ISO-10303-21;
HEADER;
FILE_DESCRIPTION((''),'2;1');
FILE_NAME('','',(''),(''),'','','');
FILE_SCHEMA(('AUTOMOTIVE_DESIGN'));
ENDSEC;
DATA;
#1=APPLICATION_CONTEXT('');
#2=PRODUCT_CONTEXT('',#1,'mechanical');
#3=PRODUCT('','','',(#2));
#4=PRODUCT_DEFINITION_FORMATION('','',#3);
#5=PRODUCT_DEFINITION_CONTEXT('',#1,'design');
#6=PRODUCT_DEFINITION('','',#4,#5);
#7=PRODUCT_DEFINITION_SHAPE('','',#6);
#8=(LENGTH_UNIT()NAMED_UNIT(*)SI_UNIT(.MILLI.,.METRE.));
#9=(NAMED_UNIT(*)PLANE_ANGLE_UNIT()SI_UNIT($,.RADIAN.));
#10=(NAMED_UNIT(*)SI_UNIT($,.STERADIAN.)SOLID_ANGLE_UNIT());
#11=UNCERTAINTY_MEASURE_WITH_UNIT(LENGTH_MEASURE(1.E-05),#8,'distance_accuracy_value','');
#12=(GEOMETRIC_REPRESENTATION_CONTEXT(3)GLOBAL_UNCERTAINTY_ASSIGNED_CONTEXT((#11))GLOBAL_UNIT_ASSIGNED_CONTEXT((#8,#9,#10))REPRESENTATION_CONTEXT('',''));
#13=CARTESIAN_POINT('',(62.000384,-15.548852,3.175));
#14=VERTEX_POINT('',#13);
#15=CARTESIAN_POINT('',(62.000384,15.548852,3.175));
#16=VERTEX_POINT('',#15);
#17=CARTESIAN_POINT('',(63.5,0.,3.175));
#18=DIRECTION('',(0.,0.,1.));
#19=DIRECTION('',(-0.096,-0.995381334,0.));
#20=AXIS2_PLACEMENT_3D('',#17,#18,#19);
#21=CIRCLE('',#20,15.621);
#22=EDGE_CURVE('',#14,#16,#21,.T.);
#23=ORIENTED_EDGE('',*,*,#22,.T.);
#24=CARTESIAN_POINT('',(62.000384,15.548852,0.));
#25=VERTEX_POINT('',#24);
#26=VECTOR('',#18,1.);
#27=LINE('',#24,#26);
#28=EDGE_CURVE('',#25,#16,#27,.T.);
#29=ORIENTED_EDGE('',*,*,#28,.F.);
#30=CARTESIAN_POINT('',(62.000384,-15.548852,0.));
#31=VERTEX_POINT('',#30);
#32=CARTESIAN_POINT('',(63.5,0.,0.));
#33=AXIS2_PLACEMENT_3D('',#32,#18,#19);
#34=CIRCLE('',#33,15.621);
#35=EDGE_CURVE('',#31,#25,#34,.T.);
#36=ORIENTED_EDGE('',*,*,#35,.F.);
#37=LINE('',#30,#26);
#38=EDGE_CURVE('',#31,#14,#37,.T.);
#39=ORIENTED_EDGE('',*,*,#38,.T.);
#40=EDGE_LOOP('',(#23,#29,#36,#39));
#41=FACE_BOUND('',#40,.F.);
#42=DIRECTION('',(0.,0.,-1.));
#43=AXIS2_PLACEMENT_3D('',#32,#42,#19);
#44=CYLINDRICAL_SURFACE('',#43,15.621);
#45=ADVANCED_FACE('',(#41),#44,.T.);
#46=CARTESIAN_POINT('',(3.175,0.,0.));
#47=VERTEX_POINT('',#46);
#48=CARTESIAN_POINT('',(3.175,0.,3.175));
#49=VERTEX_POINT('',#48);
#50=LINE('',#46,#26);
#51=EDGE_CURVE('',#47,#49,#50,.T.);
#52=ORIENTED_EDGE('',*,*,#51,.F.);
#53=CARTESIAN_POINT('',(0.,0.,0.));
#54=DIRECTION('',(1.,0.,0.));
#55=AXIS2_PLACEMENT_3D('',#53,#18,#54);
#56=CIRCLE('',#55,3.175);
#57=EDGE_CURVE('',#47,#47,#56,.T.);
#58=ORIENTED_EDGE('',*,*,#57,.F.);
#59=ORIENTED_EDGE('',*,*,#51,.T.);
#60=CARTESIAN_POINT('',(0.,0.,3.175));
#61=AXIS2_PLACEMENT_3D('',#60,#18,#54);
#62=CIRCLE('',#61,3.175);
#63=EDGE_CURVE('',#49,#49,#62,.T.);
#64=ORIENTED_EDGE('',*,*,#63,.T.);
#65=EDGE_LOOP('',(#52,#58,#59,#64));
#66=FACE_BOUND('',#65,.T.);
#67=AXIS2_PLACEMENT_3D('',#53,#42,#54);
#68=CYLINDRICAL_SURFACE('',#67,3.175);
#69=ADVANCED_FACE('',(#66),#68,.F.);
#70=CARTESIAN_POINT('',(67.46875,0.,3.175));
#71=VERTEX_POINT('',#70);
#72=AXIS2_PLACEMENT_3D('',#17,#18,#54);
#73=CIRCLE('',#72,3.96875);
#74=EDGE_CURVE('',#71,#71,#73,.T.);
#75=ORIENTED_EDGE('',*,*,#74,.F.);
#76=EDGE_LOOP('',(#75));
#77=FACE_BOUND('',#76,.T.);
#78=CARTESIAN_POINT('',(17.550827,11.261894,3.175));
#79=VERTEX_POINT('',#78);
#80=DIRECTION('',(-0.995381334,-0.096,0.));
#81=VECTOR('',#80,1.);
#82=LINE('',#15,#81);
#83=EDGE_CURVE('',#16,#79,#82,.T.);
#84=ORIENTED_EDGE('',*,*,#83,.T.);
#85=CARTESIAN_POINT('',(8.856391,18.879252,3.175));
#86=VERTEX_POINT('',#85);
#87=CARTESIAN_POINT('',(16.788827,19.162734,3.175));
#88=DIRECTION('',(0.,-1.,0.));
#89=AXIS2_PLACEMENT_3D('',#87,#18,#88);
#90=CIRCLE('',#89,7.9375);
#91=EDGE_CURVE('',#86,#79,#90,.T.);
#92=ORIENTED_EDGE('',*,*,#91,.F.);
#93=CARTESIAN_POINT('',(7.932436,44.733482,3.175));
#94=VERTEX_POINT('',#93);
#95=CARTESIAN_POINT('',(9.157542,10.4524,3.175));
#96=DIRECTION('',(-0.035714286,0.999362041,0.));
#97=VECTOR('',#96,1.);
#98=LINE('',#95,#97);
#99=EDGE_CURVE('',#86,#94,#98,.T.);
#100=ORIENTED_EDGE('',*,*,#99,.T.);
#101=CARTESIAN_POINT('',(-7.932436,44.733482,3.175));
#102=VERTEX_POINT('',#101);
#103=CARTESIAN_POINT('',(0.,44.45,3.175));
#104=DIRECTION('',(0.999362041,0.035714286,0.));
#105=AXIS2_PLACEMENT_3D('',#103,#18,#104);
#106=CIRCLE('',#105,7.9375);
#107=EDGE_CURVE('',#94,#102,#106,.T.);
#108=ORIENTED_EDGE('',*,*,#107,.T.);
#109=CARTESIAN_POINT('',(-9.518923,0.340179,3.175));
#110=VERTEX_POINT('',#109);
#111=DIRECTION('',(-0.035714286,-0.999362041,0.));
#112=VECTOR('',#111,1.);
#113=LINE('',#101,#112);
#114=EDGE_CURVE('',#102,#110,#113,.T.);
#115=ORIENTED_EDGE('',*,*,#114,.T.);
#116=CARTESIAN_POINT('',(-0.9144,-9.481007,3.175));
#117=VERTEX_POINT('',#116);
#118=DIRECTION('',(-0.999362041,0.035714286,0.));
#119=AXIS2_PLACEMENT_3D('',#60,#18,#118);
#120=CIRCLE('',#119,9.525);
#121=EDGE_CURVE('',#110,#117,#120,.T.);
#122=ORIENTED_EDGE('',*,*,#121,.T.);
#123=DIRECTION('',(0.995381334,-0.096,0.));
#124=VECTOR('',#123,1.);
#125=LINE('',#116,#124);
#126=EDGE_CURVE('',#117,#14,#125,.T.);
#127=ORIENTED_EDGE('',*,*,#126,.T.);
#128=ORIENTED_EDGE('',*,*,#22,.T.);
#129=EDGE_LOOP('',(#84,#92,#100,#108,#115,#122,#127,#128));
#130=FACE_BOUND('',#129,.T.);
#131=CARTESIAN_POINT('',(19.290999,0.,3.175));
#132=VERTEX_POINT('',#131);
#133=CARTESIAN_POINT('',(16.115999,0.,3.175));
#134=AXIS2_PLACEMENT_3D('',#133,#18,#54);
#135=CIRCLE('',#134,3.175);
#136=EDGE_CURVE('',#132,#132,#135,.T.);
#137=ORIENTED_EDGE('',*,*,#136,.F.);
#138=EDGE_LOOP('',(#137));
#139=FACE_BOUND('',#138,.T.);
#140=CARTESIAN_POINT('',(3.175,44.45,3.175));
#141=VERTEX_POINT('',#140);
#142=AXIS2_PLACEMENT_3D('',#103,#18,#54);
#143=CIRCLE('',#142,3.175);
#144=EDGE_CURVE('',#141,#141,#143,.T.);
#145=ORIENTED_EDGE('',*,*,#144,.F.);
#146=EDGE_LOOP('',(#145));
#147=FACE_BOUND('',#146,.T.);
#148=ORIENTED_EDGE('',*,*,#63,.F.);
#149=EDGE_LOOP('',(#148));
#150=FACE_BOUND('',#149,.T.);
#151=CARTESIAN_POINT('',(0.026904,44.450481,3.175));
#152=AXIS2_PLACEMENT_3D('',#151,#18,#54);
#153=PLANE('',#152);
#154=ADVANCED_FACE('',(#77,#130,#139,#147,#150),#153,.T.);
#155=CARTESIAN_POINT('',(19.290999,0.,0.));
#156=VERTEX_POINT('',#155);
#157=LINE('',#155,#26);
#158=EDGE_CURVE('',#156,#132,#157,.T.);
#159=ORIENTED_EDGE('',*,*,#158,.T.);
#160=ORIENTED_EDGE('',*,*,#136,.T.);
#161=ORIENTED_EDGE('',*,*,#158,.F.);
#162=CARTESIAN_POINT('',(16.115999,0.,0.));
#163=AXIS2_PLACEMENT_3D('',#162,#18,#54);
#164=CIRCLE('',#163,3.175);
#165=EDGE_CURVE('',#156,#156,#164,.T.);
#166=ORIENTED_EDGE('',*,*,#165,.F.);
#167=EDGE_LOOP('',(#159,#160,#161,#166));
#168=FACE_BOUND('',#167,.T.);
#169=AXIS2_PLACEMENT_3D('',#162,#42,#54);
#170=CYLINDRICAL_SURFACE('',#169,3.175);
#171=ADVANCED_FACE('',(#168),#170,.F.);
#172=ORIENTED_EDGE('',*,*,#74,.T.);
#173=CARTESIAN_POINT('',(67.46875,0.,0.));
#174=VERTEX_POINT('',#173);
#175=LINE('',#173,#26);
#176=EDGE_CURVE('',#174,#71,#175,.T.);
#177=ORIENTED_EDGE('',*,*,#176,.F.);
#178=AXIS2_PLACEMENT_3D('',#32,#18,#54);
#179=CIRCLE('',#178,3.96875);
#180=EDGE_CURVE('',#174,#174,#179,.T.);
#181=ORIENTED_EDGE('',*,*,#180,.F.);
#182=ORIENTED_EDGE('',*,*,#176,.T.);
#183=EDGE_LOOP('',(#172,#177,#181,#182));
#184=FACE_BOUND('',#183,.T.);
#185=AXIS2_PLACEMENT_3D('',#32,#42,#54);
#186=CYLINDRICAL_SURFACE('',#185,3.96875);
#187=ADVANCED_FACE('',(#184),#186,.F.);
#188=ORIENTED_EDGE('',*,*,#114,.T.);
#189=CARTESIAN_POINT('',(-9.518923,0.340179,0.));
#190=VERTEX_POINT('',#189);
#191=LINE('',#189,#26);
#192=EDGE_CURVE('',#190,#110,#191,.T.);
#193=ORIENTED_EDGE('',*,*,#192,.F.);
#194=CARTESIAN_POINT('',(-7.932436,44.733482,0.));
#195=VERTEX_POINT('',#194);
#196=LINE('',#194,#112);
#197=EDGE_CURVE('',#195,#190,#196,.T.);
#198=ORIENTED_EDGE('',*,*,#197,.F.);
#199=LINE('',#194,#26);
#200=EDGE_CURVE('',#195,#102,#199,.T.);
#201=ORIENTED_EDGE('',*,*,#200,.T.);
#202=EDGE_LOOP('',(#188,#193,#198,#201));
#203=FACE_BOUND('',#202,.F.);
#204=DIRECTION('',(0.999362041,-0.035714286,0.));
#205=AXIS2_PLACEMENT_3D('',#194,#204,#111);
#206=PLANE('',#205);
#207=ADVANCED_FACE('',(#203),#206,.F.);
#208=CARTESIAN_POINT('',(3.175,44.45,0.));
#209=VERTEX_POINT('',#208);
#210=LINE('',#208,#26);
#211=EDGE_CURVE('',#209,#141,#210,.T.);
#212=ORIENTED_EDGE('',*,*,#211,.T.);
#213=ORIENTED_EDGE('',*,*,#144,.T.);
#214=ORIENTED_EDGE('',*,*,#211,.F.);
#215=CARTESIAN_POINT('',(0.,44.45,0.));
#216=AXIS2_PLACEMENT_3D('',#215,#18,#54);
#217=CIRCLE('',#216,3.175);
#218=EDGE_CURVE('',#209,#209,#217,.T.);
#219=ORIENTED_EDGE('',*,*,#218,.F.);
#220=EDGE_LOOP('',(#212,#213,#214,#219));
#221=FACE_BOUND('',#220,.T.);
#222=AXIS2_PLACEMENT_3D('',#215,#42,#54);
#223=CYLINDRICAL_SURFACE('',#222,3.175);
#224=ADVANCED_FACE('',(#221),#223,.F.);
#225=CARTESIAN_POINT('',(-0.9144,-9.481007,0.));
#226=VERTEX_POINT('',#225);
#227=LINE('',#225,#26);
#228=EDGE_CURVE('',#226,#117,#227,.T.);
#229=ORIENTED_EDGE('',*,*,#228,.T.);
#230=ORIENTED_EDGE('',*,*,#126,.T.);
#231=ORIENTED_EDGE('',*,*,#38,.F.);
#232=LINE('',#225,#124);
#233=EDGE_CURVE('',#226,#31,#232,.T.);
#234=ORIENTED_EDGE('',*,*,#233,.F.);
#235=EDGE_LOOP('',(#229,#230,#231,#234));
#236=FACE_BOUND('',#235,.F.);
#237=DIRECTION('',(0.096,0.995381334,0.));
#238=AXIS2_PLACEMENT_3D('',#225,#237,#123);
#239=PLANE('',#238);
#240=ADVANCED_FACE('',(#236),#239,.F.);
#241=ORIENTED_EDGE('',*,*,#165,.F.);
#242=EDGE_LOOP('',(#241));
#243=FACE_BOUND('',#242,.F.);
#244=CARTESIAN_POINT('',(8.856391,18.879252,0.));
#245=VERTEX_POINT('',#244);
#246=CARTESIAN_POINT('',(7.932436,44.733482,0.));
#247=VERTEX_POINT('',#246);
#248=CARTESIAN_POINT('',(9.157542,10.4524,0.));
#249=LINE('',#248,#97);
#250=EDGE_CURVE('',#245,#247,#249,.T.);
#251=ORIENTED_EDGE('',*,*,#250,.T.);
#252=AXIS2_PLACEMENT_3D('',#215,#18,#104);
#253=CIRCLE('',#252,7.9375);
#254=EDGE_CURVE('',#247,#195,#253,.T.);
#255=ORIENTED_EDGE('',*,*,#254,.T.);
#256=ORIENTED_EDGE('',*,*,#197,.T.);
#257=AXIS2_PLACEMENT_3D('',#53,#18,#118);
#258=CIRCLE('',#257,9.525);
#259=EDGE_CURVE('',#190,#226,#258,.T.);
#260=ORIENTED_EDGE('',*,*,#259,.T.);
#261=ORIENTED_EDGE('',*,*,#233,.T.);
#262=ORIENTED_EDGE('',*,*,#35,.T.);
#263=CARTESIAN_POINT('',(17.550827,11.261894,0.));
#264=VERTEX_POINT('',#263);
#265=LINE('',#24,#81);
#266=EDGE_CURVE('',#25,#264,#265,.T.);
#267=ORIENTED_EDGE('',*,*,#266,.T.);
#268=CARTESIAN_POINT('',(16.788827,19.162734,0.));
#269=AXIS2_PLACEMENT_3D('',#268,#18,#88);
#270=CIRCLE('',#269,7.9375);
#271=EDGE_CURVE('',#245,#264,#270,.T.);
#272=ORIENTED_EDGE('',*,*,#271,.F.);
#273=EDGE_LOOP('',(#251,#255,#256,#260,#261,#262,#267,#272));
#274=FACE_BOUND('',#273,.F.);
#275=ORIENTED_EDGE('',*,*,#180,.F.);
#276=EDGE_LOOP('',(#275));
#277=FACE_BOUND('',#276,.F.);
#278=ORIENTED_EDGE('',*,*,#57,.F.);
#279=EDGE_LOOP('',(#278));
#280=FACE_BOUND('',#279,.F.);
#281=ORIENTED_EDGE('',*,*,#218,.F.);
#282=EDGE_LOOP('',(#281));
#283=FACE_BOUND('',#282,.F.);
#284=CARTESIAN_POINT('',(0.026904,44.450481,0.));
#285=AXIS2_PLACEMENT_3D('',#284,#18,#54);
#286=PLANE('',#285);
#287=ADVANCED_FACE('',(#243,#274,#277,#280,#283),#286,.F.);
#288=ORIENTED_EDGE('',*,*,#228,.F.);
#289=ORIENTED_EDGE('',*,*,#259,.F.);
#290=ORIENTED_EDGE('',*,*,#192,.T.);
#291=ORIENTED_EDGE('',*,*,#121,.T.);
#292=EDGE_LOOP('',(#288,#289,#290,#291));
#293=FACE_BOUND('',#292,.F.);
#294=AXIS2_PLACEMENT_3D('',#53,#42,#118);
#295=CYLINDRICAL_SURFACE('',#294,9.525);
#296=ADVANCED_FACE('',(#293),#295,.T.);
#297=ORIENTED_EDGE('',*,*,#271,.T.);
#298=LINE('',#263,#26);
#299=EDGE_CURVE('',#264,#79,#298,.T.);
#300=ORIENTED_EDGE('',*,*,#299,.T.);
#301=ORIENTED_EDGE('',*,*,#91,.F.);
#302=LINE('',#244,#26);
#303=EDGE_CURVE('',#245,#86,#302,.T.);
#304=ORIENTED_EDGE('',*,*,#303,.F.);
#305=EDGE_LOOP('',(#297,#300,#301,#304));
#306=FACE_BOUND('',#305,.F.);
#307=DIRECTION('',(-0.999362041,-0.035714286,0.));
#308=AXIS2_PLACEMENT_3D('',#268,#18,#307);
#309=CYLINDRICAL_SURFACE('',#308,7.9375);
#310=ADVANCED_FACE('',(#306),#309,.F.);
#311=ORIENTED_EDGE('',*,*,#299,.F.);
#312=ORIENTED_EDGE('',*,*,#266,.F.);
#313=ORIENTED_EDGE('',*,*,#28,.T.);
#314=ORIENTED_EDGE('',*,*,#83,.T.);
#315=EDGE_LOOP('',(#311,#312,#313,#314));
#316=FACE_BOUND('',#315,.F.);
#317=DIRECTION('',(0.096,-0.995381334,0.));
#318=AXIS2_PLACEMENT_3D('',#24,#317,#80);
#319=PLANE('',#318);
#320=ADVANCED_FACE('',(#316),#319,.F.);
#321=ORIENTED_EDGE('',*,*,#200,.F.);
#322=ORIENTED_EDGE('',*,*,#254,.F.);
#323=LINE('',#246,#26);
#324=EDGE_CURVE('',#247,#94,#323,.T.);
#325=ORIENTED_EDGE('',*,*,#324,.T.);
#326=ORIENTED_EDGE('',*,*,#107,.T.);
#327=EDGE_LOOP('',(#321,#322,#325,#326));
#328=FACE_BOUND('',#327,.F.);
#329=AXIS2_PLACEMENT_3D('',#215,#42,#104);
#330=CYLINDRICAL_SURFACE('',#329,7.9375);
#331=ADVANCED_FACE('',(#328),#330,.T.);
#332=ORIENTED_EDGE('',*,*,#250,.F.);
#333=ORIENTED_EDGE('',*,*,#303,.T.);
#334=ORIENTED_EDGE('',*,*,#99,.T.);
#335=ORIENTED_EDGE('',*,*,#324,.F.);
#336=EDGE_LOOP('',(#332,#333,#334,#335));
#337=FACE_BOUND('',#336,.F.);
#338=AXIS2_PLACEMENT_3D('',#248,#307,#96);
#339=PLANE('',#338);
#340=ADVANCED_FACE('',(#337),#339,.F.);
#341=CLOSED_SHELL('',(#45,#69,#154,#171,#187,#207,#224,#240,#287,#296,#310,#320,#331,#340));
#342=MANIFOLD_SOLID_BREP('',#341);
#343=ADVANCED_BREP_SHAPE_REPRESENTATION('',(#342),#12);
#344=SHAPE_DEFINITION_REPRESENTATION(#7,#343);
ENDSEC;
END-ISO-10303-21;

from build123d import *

# Parameters (mm, degrees)
F0_R     = 3.175
F0_R_2   = 3.96875
F1_DEPTH = 3.175
F2_R     = 7.9375


with BuildPart() as f1:
    # F0 (on Top) → F1 (new body)
    with BuildSketch(Plane.XY):
        with BuildLine():
            ThreePointArc((-7.9324362036, 44.7334821429), (-0.1417636831, 36.5137660501), (7.9375, 44.45))
            ThreePointArc((7.9375, 44.45), (7.9362339499, 44.5917636831), (7.9324362036, 44.7334821429))
            ThreePointArc((7.9324362036, 44.7334821429), (0, 52.3875), (-7.9324362036, 44.7334821429))
        make_face()
        with Locations((0, 44.45)):
            Circle(F0_R, mode=Mode.SUBTRACT)
        with BuildLine():
            ThreePointArc((7.9324362036, 44.7334821429), (7.9362339499, 44.5917636831), (7.9375, 44.45))
            ThreePointArc((7.9375, 44.45), (-0.1417636831, 36.5137660501), (-7.9324362036, 44.7334821429))
            Line((-7.9324362036, 44.7334821429), (-9.5189234444, 0.3401785714))
            ThreePointArc((-9.5189234444, 0.3401785714), (-6.9355783144, 6.5286582423), (-0.9144, 9.481007206))
            Line((-0.9144, 9.481007206), (9.157542126, 10.4524001899))
            Line((9.157542126, 10.4524001899), (7.9324362036, 44.7334821429))
        make_face()
        with BuildLine():
            Line((9.51892344, 0.3401786947), (9.157542126, 10.4524001899))
            Line((9.157542126, 10.4524001899), (-0.9144, 9.481007206))
            ThreePointArc((-0.9144, 9.481007206), (6.2767939568, 7.164320109), (9.51892344, 0.3401786947))
        make_face()
        with BuildLine():
            Line((62.000384, 15.5488518178), (9.157542126, 10.4524001899))
            Line((9.157542126, 10.4524001899), (9.51892344, 0.3401786947))
            ThreePointArc((9.51892344, 0.3401786947), (9.5234807388, 0.1701164813), (9.525, 0))
            ThreePointArc((9.525, 0), (6.4037475356, -7.0510738544), (-0.9144, -9.481007206))
            Line((-0.9144, -9.481007206), (62.000384, -15.5488518178))
            ThreePointArc((62.000384, -15.5488518178), (47.879, 0), (62.000384, 15.5488518178))
        make_face()
        with Locations((16.1159988493, 0)):
            Circle(F0_R, mode=Mode.SUBTRACT)
        with BuildLine():
            ThreePointArc((-0.9144, 9.481007206), (-6.9355783144, 6.5286582423), (-9.5189234444, 0.3401785714))
            ThreePointArc((-9.5189234444, 0.3401785714), (-7.1643200684, -6.2767940031), (-0.9144, -9.481007206))
            ThreePointArc((-0.9144, -9.481007206), (6.4037475356, -7.0510738544), (9.525, 0))
            ThreePointArc((9.525, 0), (9.5234807388, 0.1701164813), (9.51892344, 0.3401786947))
            ThreePointArc((9.51892344, 0.3401786947), (6.2767939568, 7.164320109), (-0.9144, 9.481007206))
        make_face()
        Circle(F0_R, mode=Mode.SUBTRACT)
        with BuildLine():
            ThreePointArc((79.121, 0), (74.0021459584, 11.5637611212), (62.000384, 15.5488518178))
            ThreePointArc((62.000384, 15.5488518178), (47.879, 0), (62.000384, -15.5488518178))
            ThreePointArc((62.000384, -15.5488518178), (74.0021459584, -11.5637611212), (79.121, 0))
        make_face()
        with Locations((63.5, 0)):
            Circle(F0_R_2, mode=Mode.SUBTRACT)
    extrude(amount=F1_DEPTH)

    # F2
    f2_edges = [f1.edges().sort_by_distance(p)[0] for p in [
        (9.157542, 10.4524, 1.5875),
    ]]
    fillet(f2_edges, radius=F2_R)


solid = f1.part
